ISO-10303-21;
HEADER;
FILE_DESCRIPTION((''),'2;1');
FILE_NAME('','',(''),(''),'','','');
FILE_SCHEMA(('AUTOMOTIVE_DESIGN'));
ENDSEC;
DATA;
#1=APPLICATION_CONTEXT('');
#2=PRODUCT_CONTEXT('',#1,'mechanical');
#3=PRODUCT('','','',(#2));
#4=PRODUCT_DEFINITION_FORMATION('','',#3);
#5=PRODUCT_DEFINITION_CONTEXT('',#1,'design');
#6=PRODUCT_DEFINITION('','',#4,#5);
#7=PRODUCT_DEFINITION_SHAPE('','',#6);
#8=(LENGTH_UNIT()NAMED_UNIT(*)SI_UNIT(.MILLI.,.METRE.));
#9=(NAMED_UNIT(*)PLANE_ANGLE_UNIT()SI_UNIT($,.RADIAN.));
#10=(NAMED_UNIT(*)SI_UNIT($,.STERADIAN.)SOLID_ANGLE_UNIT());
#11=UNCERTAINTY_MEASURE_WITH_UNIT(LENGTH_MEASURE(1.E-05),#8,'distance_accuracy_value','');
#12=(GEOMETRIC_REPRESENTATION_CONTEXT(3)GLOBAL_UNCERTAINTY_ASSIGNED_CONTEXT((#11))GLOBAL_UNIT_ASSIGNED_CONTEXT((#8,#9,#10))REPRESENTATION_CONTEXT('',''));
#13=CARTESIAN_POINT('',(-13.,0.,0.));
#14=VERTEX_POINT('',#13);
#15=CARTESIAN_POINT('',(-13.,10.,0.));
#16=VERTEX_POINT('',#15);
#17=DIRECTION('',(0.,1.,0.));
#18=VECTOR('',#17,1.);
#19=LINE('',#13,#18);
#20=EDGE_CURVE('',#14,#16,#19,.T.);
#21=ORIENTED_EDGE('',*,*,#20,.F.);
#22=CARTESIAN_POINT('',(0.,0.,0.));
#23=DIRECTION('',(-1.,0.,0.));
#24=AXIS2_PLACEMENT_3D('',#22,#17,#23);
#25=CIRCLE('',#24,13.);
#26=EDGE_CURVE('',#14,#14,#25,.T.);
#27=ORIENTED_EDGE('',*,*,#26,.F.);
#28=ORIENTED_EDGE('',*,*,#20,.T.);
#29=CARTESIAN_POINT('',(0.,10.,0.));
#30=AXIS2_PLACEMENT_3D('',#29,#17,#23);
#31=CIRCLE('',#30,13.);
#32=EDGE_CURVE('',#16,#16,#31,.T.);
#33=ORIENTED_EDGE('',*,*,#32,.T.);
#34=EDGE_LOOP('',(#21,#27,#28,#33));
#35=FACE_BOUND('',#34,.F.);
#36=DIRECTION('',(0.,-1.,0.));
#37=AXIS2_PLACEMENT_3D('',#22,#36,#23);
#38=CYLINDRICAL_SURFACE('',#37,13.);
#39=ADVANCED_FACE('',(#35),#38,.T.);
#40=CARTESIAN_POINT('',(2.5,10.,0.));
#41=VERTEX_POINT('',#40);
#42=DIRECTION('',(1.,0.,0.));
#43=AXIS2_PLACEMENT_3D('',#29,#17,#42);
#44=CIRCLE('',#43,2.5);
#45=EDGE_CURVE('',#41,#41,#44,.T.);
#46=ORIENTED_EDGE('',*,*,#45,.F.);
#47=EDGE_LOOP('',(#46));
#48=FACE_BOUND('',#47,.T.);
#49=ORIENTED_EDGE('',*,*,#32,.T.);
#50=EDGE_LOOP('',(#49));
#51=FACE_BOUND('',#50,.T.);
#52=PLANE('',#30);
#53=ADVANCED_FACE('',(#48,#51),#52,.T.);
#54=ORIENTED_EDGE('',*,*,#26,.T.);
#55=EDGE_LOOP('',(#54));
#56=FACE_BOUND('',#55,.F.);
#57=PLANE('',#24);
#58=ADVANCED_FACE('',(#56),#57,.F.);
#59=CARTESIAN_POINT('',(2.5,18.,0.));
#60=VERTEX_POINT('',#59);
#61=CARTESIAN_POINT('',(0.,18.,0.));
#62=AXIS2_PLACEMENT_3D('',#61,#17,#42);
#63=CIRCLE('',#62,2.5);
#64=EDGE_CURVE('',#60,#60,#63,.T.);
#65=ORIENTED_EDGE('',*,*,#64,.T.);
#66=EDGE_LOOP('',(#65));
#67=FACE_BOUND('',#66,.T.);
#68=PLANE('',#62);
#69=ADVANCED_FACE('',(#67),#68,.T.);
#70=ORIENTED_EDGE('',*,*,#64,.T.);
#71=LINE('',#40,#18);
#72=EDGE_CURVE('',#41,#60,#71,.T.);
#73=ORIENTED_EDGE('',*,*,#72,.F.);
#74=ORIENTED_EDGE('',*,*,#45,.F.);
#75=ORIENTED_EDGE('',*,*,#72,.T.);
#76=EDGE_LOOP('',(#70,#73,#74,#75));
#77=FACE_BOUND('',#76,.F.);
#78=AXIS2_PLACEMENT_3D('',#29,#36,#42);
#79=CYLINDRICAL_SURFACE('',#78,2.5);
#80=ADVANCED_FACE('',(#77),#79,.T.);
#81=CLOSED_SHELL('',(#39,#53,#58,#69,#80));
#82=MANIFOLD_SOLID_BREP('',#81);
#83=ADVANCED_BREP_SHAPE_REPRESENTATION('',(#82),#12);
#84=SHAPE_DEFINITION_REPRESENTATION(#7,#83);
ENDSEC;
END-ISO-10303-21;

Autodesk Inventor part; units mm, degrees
ref_plane "YZ Plane" through (0, 0, 0) normal (1, 0, 0) x (0, 1, 0)
ref_plane "XZ Plane" through (0, 0, 0) normal (0, 1, 0) x (-1, 0, 0)
ref_plane "XY Plane" through (0, 0, 0) normal (0, 0, 1) x (1, 0, 0)
sketch "Sketch1" plane through (0, 0, 0) normal (0, 1, 0) x (-1, 0, 0)
  circle A0 centre (0, 0) radius 13
  dimension "d0" = 26
extrude "Extrusion1" add sketch "Sketch1" along normal blind 10
sketch "Sketch2" plane through (0, 10, 0) normal (0, 1, 0) x (1, 0, 0)
  circle A0 centre (0, 0) radius 2.5
  dimension "d3" = 5
extrude "Extrusion2" add sketch "Sketch2" along normal blind 8
thread "Thread1" size "M5x0.8" class "6g" standard "ANSI Metric M Profile" full length
properties part number "readytosky2205"
